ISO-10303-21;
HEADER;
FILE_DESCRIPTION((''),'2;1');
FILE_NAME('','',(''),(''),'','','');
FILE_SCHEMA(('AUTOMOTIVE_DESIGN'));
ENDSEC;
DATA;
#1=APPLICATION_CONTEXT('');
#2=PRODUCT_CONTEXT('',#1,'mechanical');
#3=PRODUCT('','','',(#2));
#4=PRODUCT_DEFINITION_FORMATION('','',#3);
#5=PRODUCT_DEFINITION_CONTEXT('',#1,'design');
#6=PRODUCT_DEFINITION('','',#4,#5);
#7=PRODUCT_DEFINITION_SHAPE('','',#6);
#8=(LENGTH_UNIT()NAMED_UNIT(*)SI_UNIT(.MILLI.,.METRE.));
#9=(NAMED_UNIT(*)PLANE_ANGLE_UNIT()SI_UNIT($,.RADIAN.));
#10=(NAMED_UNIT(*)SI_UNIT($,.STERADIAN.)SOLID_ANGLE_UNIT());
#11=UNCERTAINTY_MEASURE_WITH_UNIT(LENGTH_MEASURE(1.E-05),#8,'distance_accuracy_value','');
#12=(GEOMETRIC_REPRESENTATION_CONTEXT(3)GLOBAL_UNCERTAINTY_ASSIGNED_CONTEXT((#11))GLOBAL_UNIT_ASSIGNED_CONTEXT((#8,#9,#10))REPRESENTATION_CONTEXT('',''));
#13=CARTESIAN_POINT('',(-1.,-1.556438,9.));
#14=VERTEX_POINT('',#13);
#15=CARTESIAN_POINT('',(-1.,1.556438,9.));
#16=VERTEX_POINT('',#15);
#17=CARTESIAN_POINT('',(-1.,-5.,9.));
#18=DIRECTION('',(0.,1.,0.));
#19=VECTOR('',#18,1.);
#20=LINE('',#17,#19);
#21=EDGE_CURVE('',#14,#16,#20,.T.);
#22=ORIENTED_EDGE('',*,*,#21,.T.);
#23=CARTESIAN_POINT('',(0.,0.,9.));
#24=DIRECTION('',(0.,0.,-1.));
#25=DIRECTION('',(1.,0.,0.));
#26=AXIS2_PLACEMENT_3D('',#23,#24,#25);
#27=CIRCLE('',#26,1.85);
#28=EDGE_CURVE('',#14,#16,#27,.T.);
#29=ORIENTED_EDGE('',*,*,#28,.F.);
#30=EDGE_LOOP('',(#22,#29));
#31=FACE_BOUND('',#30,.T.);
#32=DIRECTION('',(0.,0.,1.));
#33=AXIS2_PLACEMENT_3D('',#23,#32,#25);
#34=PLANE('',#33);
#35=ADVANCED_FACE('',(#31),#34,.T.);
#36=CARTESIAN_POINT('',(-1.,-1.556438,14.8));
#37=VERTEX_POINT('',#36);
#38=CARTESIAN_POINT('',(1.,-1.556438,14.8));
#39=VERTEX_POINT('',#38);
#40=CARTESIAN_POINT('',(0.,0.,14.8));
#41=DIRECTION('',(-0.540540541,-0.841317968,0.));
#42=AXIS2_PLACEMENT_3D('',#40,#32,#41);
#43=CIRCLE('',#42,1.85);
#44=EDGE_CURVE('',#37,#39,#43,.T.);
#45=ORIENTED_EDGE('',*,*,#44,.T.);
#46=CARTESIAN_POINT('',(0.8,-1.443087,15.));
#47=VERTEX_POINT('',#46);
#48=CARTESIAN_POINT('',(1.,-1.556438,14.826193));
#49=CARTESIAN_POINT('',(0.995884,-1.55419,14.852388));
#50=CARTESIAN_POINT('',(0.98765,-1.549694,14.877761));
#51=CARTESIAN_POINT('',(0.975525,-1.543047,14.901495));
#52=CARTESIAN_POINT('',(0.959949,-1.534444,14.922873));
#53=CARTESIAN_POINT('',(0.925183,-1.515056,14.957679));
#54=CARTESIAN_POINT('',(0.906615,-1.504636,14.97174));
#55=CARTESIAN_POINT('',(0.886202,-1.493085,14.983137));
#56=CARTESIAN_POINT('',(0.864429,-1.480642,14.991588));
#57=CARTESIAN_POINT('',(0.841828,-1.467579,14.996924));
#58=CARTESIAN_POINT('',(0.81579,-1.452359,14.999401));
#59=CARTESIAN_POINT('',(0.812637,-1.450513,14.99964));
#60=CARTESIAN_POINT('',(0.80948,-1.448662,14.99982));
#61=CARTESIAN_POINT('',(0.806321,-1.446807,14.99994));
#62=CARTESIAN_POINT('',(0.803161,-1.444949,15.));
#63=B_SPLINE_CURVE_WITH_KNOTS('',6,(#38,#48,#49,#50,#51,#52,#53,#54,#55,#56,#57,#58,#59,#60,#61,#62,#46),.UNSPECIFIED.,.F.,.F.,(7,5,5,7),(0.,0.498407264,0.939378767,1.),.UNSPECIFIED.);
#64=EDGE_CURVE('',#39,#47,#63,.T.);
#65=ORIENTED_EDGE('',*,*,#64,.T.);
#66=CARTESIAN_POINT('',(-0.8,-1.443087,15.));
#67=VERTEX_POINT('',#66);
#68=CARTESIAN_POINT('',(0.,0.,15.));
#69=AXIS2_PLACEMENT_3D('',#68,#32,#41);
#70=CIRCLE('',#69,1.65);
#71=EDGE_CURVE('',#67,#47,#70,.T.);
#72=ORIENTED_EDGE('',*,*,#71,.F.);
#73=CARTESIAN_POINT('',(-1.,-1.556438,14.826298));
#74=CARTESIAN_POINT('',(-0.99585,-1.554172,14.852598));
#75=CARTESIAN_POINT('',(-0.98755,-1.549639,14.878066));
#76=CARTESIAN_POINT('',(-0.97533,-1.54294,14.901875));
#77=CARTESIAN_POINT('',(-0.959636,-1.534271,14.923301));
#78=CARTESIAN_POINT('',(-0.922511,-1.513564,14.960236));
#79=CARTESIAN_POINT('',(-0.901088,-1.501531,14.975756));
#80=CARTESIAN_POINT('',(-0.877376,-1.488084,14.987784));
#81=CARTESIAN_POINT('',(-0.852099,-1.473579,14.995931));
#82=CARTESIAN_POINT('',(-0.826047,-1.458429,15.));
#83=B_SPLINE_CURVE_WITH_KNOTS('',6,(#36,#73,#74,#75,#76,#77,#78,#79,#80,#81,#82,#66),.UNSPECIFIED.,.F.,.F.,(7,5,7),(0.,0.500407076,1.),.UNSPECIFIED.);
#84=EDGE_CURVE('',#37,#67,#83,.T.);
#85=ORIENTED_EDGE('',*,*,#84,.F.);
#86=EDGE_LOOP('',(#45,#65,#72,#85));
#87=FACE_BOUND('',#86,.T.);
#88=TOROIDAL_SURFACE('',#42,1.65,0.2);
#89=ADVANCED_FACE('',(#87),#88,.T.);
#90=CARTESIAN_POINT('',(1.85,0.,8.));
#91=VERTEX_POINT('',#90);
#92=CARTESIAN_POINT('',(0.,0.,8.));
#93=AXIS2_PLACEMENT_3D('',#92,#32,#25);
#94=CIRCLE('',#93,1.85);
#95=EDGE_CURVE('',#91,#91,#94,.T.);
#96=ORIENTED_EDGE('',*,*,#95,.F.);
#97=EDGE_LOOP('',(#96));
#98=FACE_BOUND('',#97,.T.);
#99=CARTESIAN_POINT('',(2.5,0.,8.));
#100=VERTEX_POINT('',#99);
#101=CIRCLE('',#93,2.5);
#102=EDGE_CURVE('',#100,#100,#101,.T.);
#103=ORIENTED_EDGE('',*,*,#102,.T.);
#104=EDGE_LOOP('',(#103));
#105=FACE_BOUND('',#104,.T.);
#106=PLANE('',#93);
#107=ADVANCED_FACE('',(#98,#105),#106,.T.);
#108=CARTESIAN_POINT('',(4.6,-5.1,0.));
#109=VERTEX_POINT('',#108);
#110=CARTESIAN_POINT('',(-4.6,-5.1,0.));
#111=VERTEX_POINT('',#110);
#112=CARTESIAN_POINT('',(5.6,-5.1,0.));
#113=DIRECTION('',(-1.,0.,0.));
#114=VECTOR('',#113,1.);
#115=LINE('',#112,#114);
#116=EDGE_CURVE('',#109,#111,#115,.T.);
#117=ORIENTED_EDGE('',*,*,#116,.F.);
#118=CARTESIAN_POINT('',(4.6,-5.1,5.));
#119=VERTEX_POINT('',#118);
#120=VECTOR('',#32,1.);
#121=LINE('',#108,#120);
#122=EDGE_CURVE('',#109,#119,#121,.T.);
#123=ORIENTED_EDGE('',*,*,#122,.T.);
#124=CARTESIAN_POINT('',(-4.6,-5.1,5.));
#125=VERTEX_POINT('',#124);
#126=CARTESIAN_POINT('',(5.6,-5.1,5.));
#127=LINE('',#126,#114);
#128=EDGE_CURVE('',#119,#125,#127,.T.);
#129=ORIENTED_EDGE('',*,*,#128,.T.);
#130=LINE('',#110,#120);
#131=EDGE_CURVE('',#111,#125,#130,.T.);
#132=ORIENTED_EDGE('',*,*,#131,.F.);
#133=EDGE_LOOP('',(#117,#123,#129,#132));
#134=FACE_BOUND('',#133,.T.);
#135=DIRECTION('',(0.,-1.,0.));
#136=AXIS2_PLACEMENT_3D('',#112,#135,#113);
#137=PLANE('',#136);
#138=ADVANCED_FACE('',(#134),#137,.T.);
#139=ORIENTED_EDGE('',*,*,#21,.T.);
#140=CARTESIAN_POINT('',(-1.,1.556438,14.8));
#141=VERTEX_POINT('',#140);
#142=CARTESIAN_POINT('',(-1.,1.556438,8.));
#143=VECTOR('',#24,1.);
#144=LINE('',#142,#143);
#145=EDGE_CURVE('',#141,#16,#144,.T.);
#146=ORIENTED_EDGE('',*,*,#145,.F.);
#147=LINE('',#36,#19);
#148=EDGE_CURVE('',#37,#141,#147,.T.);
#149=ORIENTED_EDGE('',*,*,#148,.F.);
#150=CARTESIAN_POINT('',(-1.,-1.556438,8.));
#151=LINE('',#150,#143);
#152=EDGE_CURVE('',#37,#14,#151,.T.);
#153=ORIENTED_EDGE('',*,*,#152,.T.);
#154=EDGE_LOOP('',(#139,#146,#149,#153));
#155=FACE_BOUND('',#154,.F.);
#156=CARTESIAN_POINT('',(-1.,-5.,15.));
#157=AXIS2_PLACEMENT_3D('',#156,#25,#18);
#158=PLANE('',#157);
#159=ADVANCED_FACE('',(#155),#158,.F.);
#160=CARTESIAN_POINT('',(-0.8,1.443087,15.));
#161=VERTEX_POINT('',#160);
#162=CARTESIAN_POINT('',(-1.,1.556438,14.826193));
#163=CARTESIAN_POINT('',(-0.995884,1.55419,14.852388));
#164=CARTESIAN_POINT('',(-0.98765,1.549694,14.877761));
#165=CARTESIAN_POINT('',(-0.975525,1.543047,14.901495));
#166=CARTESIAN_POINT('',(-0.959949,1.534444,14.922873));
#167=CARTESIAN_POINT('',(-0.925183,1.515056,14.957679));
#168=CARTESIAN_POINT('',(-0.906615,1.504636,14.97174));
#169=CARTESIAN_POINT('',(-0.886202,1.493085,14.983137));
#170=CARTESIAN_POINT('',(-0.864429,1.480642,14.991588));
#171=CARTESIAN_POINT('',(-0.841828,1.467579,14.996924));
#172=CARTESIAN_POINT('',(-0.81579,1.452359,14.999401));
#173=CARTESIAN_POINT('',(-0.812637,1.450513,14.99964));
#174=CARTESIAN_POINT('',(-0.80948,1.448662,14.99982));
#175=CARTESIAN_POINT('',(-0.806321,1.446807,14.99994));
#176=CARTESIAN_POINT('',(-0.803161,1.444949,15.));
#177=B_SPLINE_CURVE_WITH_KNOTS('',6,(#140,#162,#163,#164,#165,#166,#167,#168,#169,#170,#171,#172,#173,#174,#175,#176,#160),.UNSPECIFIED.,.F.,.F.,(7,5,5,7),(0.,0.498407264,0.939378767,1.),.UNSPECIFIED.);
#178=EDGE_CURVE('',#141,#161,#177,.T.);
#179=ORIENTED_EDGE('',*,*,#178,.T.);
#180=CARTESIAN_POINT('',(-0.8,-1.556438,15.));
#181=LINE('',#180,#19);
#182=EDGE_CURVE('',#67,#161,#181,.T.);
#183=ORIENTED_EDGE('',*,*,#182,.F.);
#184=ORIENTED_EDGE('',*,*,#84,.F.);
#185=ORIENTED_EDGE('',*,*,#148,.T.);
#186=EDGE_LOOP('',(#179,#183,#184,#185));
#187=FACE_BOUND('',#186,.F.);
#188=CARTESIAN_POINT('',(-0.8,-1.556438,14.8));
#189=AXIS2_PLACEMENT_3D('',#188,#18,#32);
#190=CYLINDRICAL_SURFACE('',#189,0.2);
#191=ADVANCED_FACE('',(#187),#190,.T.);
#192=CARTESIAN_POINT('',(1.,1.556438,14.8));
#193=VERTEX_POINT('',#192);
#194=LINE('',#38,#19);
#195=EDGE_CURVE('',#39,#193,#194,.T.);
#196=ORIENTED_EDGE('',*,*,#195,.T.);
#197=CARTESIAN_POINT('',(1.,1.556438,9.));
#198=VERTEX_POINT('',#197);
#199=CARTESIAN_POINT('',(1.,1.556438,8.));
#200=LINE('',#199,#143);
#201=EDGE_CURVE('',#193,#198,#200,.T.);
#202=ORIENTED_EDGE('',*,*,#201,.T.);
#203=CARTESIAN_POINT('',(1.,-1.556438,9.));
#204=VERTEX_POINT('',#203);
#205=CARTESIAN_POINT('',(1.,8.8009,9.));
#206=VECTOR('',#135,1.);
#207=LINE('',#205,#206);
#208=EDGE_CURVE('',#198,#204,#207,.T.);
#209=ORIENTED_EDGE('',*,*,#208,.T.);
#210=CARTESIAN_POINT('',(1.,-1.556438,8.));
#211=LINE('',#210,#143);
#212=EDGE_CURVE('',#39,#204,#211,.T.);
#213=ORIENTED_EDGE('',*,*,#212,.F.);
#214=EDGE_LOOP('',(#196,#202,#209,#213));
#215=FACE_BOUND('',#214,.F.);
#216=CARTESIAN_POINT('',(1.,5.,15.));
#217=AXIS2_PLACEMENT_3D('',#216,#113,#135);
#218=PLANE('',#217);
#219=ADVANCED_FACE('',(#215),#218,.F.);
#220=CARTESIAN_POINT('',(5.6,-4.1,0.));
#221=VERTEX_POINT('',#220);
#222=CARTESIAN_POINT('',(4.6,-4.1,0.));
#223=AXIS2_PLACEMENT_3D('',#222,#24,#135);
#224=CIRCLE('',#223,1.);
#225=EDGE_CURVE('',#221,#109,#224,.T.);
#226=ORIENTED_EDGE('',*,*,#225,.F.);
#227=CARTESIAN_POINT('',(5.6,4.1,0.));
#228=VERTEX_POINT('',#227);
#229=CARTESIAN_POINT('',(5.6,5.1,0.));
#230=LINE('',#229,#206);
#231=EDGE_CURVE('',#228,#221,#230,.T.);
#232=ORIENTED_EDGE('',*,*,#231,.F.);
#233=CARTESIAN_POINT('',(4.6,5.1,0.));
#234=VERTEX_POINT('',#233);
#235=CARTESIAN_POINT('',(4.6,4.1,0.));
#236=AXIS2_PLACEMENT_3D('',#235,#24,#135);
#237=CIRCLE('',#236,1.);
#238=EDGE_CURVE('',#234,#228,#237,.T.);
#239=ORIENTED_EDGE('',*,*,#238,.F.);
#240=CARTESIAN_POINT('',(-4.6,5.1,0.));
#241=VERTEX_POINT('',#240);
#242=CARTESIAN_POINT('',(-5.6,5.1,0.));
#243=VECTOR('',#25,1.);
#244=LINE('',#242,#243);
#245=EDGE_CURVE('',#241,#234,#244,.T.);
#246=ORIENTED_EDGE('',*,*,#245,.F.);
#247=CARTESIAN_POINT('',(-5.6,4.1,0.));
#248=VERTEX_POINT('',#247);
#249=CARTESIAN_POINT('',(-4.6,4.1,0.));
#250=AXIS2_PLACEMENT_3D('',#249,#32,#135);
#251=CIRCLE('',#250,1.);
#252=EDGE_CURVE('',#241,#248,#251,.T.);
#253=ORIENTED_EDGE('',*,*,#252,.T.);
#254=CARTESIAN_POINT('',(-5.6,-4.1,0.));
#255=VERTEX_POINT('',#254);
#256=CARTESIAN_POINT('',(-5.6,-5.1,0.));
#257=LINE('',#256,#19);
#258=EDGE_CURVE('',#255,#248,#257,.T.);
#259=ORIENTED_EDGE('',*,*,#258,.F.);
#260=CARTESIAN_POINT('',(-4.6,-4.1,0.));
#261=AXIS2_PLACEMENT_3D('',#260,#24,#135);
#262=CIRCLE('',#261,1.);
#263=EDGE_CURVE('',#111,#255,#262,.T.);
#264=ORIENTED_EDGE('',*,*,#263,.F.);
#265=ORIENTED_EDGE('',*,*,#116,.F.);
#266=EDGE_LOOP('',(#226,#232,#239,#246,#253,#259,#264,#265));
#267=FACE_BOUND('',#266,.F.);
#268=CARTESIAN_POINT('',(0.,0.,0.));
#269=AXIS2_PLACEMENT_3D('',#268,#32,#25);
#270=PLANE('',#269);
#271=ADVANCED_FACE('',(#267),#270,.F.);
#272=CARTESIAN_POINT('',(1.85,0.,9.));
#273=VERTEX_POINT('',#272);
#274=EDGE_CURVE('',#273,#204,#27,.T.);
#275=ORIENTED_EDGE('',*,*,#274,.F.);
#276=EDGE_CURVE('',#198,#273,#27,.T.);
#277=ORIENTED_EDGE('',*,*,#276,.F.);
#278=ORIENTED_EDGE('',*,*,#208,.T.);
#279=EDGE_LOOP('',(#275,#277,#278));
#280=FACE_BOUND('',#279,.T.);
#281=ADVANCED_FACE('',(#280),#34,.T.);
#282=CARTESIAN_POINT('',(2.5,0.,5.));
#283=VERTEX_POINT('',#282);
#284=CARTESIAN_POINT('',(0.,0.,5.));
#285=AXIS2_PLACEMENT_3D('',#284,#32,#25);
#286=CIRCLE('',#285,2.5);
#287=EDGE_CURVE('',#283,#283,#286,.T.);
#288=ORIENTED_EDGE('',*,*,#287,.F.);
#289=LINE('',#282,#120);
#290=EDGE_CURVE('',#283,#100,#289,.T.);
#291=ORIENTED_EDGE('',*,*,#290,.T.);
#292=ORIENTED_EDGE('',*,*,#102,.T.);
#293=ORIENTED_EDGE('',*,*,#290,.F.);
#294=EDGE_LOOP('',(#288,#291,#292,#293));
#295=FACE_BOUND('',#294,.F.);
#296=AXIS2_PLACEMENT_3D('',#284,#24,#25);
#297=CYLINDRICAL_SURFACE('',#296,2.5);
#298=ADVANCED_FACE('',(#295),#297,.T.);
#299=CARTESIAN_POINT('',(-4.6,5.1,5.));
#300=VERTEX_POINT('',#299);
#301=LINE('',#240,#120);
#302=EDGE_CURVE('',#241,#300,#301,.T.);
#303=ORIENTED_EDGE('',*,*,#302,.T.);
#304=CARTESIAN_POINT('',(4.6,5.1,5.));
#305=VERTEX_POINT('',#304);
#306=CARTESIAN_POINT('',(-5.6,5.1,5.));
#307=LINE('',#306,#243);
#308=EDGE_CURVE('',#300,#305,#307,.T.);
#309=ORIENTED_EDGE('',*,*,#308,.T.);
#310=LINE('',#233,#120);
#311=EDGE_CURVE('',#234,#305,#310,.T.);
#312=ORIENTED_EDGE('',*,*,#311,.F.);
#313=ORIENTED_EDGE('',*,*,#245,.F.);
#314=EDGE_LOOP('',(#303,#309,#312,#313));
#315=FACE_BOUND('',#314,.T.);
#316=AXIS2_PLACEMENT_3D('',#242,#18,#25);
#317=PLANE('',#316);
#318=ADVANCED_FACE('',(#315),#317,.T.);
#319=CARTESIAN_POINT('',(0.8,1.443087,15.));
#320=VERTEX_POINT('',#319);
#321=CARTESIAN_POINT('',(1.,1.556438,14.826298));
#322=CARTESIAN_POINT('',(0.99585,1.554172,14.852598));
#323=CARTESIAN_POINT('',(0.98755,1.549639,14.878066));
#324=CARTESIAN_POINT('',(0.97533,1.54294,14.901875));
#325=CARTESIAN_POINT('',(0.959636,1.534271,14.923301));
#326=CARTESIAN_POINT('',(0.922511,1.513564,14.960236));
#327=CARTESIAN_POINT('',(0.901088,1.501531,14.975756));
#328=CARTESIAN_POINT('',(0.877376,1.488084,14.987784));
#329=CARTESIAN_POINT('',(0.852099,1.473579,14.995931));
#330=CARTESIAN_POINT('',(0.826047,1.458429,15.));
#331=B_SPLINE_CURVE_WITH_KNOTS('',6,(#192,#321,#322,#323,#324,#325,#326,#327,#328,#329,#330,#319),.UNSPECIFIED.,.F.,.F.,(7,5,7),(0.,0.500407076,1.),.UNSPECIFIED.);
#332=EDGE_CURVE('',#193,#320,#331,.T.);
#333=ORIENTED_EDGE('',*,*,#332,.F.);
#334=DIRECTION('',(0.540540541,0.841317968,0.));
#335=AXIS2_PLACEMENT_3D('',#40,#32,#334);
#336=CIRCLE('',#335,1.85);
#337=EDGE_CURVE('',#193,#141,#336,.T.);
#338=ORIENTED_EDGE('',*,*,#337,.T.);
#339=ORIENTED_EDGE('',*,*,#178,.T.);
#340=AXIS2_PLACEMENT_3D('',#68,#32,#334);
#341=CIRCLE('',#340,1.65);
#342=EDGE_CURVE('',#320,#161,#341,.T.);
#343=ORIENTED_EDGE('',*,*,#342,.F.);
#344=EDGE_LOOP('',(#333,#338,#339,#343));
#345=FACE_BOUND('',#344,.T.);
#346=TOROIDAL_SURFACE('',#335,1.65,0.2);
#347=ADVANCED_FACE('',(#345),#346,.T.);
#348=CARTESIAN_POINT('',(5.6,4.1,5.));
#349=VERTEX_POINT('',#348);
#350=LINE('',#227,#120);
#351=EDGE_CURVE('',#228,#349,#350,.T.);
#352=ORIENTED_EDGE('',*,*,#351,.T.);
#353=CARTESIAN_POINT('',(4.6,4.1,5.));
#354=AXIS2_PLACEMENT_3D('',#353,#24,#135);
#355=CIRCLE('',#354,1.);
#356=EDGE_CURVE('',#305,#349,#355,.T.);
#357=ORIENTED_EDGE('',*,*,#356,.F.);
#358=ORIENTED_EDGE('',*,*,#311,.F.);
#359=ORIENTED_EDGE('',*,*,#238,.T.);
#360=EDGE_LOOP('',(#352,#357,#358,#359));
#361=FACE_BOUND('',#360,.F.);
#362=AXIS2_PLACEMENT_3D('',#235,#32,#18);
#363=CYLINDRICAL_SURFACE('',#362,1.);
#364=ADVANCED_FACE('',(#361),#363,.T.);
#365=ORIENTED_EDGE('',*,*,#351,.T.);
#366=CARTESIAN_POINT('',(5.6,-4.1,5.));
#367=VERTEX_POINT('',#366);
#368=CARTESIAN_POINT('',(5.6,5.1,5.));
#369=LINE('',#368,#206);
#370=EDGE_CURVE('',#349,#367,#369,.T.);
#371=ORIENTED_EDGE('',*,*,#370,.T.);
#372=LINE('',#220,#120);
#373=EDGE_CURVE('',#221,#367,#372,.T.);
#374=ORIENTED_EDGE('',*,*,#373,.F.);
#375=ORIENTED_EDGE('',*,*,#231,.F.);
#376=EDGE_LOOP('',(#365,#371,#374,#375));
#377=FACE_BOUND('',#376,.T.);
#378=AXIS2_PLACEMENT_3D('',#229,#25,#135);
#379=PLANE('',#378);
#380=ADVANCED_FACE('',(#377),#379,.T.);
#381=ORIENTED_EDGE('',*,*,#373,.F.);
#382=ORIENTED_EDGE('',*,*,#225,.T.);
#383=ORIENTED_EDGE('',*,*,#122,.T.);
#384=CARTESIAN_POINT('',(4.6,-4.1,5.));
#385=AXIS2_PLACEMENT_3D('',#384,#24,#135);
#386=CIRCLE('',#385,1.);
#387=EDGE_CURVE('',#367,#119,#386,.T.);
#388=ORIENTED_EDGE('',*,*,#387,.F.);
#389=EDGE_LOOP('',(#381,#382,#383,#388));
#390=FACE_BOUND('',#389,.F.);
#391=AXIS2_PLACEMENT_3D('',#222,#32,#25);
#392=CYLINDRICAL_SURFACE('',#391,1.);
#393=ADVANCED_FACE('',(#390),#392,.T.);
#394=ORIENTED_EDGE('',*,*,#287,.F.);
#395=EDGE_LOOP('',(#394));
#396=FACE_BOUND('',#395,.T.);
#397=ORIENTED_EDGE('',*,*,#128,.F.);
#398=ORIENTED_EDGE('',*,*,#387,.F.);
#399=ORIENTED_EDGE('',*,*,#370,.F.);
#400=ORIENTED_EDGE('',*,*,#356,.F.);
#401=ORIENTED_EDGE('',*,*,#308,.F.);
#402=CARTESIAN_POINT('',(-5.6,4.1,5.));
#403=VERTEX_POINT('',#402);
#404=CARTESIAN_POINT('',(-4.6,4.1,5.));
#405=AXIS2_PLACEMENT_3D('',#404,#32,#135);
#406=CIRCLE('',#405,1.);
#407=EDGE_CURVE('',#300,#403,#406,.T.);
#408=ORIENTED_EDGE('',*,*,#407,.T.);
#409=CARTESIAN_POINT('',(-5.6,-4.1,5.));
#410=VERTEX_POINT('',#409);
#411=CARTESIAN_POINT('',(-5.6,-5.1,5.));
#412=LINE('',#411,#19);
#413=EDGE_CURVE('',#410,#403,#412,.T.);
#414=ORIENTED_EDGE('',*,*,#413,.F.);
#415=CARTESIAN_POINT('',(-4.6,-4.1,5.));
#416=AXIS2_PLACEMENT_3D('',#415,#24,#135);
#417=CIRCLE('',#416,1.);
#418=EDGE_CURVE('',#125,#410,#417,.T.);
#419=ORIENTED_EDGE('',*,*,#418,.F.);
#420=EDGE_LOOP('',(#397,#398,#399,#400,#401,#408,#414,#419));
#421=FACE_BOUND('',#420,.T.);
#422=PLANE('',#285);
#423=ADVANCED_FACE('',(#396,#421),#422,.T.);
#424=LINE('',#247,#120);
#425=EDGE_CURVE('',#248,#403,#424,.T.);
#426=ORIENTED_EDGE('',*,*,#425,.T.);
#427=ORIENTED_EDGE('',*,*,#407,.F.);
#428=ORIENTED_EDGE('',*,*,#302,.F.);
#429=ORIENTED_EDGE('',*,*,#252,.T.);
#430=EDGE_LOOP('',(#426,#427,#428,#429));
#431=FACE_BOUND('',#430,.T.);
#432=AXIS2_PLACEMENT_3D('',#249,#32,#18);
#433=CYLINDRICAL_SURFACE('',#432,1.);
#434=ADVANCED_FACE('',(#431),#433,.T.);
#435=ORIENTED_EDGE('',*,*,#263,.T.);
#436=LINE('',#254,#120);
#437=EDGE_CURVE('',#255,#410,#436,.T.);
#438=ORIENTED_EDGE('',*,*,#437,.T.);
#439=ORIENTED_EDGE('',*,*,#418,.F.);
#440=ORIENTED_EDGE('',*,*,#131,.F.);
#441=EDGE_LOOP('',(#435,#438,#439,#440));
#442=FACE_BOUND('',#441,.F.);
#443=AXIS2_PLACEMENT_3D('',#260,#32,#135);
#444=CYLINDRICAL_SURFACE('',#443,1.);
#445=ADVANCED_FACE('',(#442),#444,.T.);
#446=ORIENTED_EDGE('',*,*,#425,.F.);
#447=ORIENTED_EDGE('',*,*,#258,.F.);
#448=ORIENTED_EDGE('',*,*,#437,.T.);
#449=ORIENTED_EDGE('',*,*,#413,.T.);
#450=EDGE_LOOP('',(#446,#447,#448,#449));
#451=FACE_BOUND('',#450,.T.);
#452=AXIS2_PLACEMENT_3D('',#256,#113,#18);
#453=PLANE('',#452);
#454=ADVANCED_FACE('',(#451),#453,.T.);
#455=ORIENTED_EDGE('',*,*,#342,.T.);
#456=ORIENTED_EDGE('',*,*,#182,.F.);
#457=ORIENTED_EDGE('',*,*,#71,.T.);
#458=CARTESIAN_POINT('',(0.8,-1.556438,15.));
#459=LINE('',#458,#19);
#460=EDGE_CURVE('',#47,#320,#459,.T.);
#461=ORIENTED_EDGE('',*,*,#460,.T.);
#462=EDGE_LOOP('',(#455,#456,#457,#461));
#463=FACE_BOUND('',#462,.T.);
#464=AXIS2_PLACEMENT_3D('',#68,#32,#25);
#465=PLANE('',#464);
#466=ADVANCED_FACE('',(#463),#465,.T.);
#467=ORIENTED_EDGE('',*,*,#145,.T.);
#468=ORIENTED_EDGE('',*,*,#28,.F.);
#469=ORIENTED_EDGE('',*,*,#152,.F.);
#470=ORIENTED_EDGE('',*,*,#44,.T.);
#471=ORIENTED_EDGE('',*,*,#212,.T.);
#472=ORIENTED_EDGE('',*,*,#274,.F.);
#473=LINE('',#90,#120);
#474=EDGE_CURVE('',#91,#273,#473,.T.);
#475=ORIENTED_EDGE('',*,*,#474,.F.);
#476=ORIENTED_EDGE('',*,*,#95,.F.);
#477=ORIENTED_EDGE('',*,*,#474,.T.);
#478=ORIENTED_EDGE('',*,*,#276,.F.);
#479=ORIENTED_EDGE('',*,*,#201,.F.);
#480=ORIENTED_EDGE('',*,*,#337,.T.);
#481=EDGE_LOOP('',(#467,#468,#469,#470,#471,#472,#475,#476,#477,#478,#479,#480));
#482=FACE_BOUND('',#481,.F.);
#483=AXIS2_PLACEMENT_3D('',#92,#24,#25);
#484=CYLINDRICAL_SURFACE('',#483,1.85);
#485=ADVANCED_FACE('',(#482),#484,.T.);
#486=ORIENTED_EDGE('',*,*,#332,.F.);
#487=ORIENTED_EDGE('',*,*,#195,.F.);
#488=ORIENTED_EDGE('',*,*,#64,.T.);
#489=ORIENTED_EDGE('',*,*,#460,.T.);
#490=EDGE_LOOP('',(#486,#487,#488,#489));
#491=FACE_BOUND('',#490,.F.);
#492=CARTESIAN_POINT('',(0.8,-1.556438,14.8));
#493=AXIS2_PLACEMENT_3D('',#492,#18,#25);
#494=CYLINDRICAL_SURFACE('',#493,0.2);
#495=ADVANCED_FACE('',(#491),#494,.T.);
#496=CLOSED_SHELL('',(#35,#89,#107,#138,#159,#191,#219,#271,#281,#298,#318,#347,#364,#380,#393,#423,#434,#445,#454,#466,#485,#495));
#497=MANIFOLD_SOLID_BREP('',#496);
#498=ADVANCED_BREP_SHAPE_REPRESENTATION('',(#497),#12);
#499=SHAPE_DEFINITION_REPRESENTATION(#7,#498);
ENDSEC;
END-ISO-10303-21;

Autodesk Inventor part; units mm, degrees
ref_plane "YZ Plane" through (0, 0, 0) normal (1, 0, 0) x (0, 1, 0)
ref_plane "XZ Plane" through (0, 0, 0) normal (0, 1, 0) x (-1, 0, 0)
sketch "Эскиз1" plane through (0, 0, 0) normal (0, 0, 1) x (1, 0, 0)
  line L0 (-5.6, 5.1) -> (5.6, 5.1)
  line L1 (5.6, 5.1) -> (5.6, -5.1)
  line L2 (5.6, -5.1) -> (-5.6, -5.1)
  line L3 (-5.6, -5.1) -> (-5.6, 5.1)
  line L4 (-5.6, 5.1) -> (5.6, -5.1) construction
  line L5 (5.6, 5.1) -> (-5.6, -5.1) construction
  point P0 (0, 0)
  dimension "d0" = 11.2
  dimension "d1" = 10.2
extrude "Выдавливание1" add sketch "Эскиз1" along normal blind 5
fillet "Сопряжение1" radius 1 4 edges at (-5.6, 5.1, 2.5) (5.6, 5.1, 2.5) (5.6, -5.1, 2.5) (-5.6, -5.1, 2.5)
sketch "Эскиз2" plane through (0, 0, 5) normal (0, 0, 1) x (1, 0, 0)
  circle A0 centre (0, 0) radius 2.5
  dimension "d5" = 5
extrude "Выдавливание2" add sketch "Эскиз2" along normal blind 3
sketch "Эскиз3" plane through (0, 0, 8) normal (0, 0, 1) x (1, 0, 0)
  circle A0 centre (0, 0) radius 1.85
  dimension "d8" = 3.7
extrude "Выдавливание3" add sketch "Эскиз3" along normal blind 7
sketch "Эскиз4" plane through (0, 0, 15) normal (0, 0, 1) x (1, 0, 0)
  line L0 (1, -5) -> (-1, -5)
  line L1 (-1, -5) -> (-1, 5)
  line L2 (-1, 5) -> (1, 5)
  line L3 (1, 5) -> (1, -5)
  line L4 (1, -5) -> (-1, 5) construction
  line L5 (-1, -5) -> (1, 5) construction
  line L6 (-1, 5) -> (-9.7743, 5)
  line L7 (-9.7743, 5) -> (-9.7743, -5)
  line L8 (-9.7743, -5) -> (-1, -5)
  line L9 (-1, -5) -> (-1, 5)
  line L10 (1, -5) -> (12.6944, -5)
  line L11 (12.6944, -5) -> (12.6944, 8.8009)
  line L12 (12.6944, 8.8009) -> (1, 8.8009)
  line L13 (1, 8.8009) -> (1, -5)
  point P0 (0, 0)
  dimension "d11" = 2
  dimension "d12" = 10
extrude "Выдавливание4" cut sketch "Эскиз4" against normal blind 6 contours L3 L13 L12 L11 L10 | L8 L7 L6 L1
fillet "Сопряжение2" radius 0.2 4 edges at (0, -1.85, 15) (0, 1.85, 15) (1, 0, 15) (-1, 0, 15)
ref_plane "РабПлоскость1" through (0, 0, 8) normal (0, 0, 1) x (1, 0, 0)
properties part number "Потенциометр"
